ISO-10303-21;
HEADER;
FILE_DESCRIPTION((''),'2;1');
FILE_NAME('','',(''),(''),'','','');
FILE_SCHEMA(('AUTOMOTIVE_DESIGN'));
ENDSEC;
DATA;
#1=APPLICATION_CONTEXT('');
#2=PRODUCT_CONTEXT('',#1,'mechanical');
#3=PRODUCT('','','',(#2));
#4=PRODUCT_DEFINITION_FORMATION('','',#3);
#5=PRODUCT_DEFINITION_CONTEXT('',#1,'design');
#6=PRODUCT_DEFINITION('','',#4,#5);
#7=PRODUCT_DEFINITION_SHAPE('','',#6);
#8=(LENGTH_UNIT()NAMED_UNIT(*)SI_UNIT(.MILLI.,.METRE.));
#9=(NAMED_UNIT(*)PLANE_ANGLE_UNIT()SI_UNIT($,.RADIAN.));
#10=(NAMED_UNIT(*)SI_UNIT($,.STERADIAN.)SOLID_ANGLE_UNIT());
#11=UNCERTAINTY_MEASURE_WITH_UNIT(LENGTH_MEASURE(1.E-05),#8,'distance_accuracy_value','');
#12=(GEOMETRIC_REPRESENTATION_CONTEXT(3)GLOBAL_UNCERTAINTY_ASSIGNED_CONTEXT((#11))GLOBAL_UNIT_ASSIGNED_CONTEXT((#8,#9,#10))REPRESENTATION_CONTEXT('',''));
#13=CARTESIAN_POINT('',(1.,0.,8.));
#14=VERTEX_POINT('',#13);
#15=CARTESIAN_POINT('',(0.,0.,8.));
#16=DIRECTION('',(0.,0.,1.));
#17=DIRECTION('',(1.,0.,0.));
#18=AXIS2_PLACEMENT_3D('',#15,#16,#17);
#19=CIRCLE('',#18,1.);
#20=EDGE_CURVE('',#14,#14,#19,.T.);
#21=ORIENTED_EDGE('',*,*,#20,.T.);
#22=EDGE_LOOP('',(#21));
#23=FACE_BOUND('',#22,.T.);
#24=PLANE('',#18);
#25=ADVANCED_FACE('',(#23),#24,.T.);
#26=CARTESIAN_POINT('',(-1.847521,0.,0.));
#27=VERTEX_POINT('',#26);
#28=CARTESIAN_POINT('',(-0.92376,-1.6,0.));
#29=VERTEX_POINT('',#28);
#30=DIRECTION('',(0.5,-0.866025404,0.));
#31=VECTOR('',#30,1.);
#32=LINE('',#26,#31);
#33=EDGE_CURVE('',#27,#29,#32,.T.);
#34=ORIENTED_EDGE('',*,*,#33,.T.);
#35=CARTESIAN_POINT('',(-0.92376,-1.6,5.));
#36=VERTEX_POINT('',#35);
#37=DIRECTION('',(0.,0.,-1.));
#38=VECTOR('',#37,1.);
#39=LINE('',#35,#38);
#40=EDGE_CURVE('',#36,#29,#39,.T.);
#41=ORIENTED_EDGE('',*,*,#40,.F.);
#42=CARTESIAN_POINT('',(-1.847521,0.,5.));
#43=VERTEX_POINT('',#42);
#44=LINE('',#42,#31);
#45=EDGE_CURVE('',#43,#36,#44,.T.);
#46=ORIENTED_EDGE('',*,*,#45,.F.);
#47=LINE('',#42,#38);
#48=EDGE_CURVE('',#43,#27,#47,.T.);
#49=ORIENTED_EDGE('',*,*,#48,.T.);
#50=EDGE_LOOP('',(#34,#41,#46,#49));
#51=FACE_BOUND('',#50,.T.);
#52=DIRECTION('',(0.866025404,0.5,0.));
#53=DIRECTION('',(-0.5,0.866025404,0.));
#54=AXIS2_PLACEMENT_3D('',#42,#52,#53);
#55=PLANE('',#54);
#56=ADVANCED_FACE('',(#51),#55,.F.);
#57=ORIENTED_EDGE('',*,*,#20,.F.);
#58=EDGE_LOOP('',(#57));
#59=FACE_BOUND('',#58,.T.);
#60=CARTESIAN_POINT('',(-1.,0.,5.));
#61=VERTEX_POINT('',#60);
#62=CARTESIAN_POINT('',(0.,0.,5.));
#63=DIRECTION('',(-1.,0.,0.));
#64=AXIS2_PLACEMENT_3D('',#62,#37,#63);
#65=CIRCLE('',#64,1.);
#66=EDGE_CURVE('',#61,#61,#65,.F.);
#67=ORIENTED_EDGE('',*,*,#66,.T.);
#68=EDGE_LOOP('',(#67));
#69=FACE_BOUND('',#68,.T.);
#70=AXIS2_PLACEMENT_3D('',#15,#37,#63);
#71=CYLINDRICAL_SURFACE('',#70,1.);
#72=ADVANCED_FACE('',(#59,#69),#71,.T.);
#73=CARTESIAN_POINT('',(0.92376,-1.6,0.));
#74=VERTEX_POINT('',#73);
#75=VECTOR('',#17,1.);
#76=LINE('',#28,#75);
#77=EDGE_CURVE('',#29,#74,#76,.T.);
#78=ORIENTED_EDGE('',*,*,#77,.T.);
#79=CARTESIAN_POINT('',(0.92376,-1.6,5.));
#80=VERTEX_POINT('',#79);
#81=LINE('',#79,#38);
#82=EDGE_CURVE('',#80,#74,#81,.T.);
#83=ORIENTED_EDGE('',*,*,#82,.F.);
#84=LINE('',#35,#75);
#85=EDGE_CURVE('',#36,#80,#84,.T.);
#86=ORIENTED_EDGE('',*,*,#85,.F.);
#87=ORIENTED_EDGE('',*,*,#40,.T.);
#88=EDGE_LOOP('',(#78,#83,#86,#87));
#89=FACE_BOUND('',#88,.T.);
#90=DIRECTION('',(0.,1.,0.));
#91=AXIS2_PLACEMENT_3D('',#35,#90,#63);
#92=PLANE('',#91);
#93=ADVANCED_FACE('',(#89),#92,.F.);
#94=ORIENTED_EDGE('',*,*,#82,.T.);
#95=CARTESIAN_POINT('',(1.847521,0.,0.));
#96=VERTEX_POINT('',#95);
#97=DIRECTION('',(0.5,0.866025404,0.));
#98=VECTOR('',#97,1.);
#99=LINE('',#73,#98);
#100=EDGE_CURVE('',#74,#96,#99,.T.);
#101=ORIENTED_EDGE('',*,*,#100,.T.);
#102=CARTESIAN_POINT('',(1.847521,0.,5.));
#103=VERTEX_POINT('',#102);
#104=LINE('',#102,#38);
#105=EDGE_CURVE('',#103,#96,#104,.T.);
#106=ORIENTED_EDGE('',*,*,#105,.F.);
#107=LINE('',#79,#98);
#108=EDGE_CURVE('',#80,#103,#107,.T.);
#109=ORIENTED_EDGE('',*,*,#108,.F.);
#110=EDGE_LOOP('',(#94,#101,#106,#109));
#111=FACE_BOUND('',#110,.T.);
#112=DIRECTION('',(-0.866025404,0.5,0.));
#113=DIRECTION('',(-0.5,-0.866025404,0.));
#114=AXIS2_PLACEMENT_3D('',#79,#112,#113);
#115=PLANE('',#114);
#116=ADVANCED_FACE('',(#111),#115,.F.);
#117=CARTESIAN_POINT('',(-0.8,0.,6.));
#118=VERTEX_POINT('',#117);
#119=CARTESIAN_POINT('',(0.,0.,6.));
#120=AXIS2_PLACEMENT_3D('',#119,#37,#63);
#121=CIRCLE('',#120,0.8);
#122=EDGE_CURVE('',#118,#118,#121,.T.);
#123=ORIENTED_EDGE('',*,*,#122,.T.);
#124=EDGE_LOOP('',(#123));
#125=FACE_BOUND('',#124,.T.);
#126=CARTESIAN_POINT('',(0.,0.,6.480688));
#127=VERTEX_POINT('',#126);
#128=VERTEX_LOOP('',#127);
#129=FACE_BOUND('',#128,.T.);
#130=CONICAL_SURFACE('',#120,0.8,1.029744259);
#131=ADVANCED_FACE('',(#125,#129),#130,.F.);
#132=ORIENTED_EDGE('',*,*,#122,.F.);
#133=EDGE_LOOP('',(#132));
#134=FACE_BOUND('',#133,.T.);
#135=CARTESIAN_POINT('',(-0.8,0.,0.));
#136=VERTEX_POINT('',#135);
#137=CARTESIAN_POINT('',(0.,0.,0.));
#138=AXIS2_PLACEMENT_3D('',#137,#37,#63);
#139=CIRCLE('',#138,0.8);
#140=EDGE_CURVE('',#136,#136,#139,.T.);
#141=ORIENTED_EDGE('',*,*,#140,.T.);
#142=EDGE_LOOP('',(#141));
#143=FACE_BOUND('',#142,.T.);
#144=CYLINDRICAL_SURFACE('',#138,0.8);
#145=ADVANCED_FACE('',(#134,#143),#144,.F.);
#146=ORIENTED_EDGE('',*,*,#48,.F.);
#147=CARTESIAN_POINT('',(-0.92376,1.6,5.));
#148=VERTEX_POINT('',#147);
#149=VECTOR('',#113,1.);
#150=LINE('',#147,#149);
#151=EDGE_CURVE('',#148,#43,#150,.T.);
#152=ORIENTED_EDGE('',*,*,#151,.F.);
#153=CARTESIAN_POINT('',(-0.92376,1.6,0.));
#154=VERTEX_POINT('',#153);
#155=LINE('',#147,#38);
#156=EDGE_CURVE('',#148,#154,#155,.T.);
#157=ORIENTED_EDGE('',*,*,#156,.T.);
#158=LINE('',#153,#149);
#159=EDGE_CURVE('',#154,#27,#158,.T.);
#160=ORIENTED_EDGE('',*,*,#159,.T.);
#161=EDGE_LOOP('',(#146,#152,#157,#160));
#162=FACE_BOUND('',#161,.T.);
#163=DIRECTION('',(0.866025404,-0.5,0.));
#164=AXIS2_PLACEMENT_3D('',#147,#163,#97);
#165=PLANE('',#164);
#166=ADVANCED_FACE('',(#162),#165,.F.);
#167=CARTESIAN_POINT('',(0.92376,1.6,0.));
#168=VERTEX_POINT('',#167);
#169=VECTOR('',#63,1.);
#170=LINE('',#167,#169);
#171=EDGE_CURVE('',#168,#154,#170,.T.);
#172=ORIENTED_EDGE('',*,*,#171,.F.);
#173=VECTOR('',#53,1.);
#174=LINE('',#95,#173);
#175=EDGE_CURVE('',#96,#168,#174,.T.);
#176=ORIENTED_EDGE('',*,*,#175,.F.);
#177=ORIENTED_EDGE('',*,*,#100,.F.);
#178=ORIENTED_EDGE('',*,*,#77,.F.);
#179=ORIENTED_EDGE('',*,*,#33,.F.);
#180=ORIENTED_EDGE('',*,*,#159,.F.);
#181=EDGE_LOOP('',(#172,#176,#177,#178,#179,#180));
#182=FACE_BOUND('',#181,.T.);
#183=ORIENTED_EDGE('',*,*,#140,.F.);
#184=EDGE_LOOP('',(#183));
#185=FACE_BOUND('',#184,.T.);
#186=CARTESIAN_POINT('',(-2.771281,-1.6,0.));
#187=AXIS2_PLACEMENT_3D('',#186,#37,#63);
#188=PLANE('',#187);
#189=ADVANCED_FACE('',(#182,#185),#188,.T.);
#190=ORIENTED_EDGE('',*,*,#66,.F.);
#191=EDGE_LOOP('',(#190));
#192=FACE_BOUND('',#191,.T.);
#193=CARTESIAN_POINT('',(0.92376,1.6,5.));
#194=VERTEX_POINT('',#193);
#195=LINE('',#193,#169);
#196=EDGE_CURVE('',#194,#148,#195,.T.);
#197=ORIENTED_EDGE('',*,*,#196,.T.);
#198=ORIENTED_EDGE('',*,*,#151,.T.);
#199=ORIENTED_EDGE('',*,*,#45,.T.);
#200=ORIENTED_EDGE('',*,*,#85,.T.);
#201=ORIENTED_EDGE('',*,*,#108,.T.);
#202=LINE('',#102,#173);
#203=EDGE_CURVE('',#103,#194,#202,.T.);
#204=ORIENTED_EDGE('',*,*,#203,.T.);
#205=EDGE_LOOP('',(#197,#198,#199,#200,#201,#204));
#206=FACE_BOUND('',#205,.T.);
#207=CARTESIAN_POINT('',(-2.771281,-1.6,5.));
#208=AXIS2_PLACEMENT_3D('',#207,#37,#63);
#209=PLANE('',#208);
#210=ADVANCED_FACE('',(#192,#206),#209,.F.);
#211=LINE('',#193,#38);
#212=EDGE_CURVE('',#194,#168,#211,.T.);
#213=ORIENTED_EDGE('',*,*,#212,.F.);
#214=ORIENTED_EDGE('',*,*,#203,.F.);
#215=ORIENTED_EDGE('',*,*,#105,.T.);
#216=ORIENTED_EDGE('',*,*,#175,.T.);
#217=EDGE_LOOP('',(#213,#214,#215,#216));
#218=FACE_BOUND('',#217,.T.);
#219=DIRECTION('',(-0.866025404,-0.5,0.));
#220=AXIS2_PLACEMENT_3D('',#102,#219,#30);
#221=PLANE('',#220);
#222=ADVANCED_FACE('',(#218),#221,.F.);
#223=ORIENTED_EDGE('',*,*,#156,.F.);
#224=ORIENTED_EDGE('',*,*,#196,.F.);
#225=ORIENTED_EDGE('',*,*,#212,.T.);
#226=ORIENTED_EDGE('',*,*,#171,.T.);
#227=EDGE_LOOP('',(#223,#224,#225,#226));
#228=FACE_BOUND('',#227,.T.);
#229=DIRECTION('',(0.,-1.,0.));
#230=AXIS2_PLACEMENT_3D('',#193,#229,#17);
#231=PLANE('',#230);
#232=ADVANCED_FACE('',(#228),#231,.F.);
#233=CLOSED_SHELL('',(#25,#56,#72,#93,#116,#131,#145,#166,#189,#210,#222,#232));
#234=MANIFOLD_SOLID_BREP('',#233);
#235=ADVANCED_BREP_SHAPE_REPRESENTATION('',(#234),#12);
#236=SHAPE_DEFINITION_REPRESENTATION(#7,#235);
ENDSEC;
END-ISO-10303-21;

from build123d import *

# Parameters (mm, degrees)
EXTRUDE_1_DEPTH        = 5
SKETCH_2_R             = 1
EXTRUDE_2_DEPTH        = 3
HOLE_WIZARD_M2_1_D     = 1.6
HOLE_WIZARD_M2_1_DEPTH = 6
HOLE_WIZARD_M2_1_TIP   = 0.480688495


with BuildPart() as part:
    # 草图1 → 拉伸1 (new body)
    with BuildSketch(Plane.XY):
        Polygon((0.923760431, -1.6), (1.847520861, 0), (0.923760431, 1.6), (-0.923760431, 1.6), (-1.847520861, 0), (-0.923760431, -1.6), align=None)
    extrude(amount=EXTRUDE_1_DEPTH)

    # 草图2 → 拉伸2 (add)
    with BuildSketch(Plane.XY.offset(5)):
        with Locations(Location((0, 0, 0), (0, 0, 180))):
            Circle(SKETCH_2_R)
    extrude(amount=EXTRUDE_2_DEPTH)

    # M2 螺纹孔1
    with Locations(Plane(origin=(0, 0, 0), x_dir=(-1, 0, 0), z_dir=(0, 0, -1))):
        with Locations((0, 0)):
            Hole(HOLE_WIZARD_M2_1_D / 2, depth=HOLE_WIZARD_M2_1_DEPTH)
            with Locations((0, 0, -(HOLE_WIZARD_M2_1_DEPTH + HOLE_WIZARD_M2_1_TIP / 2))):  # 118° drill point
                Cone(0, HOLE_WIZARD_M2_1_D / 2, HOLE_WIZARD_M2_1_TIP, mode=Mode.SUBTRACT)


solid = part.part
